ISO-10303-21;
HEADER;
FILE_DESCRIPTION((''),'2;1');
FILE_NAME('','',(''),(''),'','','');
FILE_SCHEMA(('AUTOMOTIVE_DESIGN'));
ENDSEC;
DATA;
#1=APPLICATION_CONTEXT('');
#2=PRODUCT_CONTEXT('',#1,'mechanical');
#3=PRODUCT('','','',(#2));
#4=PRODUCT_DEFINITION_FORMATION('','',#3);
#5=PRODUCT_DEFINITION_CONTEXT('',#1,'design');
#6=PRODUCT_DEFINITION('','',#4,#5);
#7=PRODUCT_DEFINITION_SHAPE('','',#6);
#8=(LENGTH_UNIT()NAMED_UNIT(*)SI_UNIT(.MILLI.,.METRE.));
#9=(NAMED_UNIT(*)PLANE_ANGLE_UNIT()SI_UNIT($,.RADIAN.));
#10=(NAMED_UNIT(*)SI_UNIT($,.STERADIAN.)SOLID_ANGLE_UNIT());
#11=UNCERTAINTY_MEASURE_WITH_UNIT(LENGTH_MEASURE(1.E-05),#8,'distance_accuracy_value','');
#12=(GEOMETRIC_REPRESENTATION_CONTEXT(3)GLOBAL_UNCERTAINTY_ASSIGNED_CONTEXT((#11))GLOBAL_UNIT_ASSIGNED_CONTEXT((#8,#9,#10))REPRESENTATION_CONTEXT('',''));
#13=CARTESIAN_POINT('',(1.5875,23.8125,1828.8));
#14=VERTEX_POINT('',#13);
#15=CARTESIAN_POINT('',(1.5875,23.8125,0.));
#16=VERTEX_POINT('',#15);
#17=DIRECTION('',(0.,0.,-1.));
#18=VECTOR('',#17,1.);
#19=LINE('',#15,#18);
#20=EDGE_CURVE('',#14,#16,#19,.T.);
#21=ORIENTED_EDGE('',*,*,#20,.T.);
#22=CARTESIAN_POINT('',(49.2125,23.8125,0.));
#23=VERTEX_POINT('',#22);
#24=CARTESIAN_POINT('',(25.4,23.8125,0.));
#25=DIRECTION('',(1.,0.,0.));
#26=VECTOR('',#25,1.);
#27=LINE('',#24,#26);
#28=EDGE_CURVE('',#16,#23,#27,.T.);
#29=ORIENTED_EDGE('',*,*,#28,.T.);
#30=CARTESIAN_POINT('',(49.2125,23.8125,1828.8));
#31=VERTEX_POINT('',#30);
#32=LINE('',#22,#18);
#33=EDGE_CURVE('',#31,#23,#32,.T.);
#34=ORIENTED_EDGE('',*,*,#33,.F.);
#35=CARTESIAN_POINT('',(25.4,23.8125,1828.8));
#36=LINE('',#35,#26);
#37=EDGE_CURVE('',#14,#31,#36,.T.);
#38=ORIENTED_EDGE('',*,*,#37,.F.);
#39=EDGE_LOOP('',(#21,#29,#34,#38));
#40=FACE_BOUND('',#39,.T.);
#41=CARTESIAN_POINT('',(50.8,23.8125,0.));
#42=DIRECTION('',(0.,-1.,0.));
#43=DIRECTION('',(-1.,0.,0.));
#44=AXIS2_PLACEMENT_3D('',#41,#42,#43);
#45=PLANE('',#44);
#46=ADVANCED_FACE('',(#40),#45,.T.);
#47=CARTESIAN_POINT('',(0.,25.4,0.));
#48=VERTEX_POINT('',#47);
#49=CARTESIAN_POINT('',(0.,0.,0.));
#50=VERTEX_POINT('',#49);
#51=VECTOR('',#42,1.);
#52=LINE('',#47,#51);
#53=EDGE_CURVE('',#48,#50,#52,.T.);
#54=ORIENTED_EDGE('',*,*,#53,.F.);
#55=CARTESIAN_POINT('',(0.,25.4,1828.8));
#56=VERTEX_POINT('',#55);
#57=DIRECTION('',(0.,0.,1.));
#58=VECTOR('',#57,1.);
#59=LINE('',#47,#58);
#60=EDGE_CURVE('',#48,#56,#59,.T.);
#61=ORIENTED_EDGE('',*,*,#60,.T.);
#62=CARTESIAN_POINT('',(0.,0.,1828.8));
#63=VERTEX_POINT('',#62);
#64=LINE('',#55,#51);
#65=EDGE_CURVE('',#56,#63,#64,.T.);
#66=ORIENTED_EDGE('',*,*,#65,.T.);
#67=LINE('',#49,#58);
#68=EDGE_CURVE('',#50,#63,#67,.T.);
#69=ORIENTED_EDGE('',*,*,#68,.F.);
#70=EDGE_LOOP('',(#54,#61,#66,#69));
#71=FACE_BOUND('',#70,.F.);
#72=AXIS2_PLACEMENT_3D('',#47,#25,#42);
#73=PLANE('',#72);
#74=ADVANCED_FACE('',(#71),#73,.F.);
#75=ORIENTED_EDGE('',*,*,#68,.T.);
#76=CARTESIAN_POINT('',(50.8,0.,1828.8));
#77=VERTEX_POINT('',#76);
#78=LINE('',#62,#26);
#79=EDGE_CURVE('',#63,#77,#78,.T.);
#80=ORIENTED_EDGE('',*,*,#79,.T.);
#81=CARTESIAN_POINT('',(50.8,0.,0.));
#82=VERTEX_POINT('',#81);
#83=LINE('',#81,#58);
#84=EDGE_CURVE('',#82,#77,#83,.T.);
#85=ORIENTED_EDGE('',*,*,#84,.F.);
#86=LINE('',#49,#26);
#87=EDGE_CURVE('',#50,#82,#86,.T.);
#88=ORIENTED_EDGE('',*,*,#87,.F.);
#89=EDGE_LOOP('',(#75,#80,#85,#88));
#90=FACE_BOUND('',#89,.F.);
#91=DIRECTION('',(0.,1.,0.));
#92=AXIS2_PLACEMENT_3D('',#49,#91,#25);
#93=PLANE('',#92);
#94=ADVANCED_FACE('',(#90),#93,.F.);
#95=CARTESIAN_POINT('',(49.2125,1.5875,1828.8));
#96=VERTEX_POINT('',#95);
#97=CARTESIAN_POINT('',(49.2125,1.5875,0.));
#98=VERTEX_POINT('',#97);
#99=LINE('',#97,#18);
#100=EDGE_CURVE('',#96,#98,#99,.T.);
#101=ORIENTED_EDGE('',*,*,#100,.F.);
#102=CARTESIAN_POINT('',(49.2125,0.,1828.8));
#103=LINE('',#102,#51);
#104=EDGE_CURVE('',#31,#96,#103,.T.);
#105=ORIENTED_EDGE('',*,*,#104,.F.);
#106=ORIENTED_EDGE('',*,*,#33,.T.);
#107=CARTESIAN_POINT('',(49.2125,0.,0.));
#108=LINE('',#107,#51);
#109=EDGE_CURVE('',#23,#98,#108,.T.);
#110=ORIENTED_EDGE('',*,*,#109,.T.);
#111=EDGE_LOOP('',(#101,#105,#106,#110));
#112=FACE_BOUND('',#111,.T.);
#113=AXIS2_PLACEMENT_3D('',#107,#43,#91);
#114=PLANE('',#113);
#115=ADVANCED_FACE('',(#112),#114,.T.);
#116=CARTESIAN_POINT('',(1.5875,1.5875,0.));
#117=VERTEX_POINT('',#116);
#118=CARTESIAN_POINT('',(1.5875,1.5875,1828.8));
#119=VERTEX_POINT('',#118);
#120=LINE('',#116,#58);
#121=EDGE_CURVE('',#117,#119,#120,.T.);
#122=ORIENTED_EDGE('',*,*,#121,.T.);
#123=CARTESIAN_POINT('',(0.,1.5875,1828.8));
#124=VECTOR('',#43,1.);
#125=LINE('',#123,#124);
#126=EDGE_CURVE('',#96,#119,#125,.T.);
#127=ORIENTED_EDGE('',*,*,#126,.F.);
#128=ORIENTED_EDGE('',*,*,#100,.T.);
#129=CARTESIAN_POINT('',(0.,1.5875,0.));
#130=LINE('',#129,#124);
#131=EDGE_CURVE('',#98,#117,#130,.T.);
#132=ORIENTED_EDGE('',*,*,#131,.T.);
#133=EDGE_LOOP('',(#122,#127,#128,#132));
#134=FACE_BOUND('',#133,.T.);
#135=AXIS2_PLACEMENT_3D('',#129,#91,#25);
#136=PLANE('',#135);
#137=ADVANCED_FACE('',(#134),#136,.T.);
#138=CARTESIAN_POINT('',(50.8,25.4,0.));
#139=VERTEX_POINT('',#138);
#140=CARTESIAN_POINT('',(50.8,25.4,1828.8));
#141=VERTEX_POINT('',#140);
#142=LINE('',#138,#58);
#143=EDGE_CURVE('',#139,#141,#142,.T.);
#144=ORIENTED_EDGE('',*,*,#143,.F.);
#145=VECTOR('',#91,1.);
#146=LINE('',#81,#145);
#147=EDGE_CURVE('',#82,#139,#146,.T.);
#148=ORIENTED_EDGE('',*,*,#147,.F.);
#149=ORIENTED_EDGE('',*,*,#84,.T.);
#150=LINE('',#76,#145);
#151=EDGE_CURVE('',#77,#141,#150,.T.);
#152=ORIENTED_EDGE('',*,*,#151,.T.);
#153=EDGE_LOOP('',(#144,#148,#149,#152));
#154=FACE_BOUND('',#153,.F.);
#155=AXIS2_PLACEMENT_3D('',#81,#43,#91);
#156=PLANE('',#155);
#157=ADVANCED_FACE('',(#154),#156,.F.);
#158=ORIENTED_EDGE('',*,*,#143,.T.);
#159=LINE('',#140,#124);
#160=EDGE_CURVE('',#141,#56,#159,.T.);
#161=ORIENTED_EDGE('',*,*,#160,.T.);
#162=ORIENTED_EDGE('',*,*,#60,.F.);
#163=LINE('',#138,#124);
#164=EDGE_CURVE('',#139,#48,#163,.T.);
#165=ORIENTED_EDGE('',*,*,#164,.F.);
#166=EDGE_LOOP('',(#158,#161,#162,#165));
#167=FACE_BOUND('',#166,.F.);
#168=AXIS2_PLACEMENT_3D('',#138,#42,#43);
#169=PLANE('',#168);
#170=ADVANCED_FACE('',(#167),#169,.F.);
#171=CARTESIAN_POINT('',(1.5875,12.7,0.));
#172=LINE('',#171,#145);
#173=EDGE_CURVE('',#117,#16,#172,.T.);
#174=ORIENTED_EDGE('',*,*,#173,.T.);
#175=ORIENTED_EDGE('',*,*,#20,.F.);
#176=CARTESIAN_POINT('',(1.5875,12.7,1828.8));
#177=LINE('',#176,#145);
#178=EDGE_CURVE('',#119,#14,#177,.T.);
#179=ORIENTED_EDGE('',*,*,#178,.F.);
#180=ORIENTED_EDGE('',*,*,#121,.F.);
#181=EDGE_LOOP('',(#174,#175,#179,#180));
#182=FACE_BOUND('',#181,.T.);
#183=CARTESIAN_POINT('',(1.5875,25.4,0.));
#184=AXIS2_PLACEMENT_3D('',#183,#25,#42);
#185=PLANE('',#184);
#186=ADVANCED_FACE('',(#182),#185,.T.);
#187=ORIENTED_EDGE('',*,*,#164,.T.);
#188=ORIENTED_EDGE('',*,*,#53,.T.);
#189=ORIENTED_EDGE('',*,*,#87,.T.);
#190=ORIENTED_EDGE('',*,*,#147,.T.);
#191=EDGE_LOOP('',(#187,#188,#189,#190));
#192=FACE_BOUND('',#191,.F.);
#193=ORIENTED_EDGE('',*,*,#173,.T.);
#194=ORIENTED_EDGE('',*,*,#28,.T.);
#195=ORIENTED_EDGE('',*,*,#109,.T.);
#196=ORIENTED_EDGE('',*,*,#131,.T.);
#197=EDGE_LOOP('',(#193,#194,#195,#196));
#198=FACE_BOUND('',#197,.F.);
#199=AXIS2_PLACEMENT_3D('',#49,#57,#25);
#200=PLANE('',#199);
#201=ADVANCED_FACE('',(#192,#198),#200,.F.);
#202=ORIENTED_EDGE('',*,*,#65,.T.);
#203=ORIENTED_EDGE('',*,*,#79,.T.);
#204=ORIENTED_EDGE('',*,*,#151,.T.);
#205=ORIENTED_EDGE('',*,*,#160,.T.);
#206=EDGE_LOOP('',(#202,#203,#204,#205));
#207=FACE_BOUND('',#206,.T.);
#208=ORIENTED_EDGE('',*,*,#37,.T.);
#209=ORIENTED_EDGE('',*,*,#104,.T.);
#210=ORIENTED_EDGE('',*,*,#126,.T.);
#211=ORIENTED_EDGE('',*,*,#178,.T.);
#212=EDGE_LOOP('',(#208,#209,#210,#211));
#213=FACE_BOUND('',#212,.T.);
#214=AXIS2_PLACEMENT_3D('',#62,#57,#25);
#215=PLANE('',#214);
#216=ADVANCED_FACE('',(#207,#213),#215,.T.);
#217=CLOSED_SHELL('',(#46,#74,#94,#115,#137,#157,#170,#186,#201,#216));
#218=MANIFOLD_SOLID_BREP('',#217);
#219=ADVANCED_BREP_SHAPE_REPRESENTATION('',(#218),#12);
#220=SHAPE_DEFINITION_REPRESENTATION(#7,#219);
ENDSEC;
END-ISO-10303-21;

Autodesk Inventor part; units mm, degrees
ref_plane "YZ Plane" through (0, 0, 0) normal (1, 0, 0) x (0, 1, 0)
ref_plane "XZ Plane" through (0, 0, 0) normal (0, 1, 0) x (-1, 0, 0)
ref_plane "XY Plane" through (0, 0, 0) normal (0, 0, 1) x (1, 0, 0)
sketch "Sketch1" plane through (0, 0, 0) normal (0, 0, 1) x (1, 0, 0)
  line L0 (0, 0) -> (50.8, 0)
  line L1 (50.8, 0) -> (50.8, 25.4)
  line L2 (50.8, 25.4) -> (0, 25.4)
  line L3 (0, 25.4) -> (0, 0)
  dimension "d0" = 50.8
  dimension "d1" = 25.4
extrude "Extrusion1" add sketch "Sketch1" along normal blind 1828.8
shell "Shell1" thickness 1.5875 removed faces 2 at (16.9333, 8.4667, 0) at (16.9333, 8.4667, 1828.8)
equation "\"d2\" = Length"
equation "\"Length\" = 1828.8"
properties part number "Box Tube"
